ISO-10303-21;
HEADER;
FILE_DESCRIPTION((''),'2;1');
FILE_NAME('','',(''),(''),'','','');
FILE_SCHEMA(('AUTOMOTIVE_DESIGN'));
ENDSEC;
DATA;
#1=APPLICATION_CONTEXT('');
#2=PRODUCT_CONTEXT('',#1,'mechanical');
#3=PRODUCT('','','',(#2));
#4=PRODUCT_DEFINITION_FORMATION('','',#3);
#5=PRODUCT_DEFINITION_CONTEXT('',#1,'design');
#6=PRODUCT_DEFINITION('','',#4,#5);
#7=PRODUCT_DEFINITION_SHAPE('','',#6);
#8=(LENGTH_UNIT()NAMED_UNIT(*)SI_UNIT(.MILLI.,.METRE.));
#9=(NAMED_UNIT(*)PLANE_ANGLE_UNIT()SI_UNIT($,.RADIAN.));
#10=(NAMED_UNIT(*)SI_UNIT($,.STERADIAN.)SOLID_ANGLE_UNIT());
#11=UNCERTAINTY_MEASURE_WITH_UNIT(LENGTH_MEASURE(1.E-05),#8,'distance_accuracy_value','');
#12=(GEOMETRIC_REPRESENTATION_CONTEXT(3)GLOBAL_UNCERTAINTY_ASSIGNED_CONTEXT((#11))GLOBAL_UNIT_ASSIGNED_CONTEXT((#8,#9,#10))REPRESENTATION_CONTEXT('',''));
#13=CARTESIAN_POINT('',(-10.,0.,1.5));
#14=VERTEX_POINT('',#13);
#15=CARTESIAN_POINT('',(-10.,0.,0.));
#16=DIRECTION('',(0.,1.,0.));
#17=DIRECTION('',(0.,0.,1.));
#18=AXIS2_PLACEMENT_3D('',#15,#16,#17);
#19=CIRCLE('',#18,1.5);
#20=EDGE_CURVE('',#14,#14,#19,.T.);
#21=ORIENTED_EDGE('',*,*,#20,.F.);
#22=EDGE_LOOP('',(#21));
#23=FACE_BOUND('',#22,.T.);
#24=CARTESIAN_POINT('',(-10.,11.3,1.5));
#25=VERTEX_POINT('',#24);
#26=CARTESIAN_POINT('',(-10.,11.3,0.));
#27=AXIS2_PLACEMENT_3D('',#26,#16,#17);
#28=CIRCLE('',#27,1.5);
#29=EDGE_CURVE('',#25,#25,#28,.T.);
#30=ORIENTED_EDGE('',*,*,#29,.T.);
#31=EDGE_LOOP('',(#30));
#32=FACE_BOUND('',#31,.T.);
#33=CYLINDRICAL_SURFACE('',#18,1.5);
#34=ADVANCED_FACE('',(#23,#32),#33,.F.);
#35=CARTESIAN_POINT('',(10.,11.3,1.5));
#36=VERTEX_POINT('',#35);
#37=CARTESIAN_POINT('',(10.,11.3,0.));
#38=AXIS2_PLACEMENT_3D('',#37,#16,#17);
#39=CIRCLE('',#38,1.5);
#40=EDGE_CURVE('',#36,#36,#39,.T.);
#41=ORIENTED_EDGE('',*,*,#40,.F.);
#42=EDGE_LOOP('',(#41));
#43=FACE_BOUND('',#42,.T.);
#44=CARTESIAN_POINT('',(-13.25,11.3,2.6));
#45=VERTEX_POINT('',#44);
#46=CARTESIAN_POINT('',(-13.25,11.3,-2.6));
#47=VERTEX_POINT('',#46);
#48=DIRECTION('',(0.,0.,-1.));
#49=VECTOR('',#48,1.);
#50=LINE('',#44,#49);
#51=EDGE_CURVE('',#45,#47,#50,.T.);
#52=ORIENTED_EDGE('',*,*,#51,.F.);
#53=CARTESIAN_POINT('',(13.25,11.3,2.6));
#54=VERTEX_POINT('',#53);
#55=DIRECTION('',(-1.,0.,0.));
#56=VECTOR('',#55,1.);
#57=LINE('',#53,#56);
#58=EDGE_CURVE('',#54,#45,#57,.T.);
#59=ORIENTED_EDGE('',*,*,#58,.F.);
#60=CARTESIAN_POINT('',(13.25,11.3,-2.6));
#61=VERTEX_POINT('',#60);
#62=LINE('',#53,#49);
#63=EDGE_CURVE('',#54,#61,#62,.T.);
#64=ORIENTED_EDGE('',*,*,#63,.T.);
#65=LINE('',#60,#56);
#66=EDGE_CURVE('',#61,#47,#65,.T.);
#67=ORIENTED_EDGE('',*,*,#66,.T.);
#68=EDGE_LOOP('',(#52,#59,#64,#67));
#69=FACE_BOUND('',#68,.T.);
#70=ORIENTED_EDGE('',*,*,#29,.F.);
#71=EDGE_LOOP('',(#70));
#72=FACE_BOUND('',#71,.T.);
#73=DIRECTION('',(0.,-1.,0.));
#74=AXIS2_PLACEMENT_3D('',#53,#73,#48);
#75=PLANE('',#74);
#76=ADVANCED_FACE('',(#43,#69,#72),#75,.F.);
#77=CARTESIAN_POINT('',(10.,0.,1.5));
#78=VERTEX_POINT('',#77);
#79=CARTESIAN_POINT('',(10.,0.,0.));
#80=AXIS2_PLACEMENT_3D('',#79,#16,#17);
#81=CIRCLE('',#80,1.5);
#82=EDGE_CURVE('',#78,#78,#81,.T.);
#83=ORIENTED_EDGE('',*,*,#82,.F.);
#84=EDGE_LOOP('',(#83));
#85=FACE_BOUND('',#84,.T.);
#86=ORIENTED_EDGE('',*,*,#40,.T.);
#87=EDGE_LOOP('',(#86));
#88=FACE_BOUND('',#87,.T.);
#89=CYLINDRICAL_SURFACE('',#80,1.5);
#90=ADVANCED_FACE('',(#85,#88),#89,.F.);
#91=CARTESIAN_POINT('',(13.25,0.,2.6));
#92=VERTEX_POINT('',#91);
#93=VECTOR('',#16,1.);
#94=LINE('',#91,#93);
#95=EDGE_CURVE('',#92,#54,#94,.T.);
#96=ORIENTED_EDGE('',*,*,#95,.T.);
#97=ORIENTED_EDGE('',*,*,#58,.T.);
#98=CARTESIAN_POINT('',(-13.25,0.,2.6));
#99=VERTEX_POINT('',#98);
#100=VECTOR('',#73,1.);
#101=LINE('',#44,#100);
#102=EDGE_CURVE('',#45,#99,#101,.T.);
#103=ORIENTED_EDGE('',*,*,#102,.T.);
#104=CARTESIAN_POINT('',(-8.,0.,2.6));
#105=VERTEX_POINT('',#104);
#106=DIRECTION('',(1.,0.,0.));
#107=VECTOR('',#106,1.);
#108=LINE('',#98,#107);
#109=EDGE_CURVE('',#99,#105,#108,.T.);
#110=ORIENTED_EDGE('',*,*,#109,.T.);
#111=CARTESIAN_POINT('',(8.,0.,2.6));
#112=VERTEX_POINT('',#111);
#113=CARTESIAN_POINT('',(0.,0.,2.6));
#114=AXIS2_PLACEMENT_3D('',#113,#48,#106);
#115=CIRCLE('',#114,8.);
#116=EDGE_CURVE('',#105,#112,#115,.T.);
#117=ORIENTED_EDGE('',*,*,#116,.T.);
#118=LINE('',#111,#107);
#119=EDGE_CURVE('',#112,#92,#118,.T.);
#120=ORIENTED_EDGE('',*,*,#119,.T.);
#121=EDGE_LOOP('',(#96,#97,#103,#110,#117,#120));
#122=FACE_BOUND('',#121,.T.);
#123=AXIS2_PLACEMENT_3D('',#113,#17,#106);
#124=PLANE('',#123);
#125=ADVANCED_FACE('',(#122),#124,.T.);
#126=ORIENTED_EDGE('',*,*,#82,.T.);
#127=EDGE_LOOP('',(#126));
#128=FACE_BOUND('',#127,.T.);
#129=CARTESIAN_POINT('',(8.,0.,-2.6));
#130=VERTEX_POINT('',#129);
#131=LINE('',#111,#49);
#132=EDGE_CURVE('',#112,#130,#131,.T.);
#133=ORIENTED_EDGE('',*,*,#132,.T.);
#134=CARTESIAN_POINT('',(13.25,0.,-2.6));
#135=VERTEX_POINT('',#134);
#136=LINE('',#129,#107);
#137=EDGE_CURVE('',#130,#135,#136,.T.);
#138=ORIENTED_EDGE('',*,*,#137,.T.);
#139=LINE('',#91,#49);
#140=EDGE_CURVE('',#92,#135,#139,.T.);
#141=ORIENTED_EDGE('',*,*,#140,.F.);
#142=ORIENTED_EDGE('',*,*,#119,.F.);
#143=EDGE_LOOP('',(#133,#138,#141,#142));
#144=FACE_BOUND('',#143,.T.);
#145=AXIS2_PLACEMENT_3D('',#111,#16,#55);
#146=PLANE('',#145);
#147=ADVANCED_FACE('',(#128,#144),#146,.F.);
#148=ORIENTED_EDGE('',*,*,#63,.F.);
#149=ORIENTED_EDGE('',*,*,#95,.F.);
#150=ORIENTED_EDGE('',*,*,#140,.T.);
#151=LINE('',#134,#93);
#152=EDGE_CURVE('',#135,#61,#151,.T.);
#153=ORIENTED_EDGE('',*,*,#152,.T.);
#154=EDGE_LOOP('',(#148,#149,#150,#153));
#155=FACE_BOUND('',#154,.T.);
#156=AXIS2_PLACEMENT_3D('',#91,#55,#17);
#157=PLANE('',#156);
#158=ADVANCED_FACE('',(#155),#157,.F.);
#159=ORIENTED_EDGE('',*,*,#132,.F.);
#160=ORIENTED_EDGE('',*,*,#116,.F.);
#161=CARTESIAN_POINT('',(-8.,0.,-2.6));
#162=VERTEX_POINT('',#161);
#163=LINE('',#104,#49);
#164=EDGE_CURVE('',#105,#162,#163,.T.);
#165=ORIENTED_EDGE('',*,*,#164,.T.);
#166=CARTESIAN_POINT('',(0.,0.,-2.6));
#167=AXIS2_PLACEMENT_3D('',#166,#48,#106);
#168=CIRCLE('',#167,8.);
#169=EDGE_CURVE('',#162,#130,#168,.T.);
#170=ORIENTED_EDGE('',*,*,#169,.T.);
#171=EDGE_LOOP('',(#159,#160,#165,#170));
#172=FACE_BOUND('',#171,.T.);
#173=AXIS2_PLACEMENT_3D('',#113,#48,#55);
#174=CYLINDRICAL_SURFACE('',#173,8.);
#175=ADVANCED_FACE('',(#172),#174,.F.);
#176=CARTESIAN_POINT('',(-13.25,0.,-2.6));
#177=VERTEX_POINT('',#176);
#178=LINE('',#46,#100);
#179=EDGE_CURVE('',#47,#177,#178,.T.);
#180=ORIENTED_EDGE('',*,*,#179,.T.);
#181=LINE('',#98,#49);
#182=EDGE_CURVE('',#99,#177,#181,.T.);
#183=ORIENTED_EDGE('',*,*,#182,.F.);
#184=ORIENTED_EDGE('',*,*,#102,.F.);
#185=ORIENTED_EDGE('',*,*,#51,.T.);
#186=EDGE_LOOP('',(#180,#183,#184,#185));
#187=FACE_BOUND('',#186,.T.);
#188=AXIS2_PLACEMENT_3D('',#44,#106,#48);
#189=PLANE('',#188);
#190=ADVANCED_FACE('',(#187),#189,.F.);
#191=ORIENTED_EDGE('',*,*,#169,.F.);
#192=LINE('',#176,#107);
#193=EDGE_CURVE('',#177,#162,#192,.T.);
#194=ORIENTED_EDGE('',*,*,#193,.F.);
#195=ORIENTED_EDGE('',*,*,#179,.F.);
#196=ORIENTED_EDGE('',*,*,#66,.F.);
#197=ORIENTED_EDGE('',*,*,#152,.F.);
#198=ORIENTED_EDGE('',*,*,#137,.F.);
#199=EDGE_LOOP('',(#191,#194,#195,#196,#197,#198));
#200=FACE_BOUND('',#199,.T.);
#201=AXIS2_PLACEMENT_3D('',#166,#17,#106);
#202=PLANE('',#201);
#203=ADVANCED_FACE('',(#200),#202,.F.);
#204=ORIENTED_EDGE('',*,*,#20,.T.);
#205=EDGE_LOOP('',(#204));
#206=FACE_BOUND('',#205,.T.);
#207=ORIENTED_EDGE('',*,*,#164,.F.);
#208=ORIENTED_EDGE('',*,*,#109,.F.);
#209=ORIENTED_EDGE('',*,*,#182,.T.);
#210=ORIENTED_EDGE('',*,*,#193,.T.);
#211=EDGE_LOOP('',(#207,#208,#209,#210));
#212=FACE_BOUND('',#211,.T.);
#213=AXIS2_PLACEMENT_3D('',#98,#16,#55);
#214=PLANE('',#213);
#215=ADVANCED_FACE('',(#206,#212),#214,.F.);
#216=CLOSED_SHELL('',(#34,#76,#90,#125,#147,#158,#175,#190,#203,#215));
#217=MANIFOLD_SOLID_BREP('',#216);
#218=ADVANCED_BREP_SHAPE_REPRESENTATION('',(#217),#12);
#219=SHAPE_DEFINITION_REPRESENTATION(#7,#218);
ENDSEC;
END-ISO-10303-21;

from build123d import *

# Parameters (mm, degrees)
BOSS_EXTRUDE1_DEPTH = 2.6
SKETCH2_R           = 1.5
CUT_EXTRUDE1_DEPTH  = 18.607171834


with BuildPart() as part:
    # Sketch1 → Boss-Extrude1 (new, symmetric)
    with BuildSketch(Plane.XY):
        with BuildLine():
            Line((8, 0), (13.25, 0))
            Line((13.25, 0), (13.25, 11.3))
            Line((13.25, 11.3), (-13.25, 11.3))
            Line((-13.25, 11.3), (-13.25, 0))
            Line((-13.25, 0), (-8, 0))
            ThreePointArc((-8, 0), (0, 8), (8, 0))
        make_face()
    extrude(amount=BOSS_EXTRUDE1_DEPTH, both=True)

    # Sketch2 → Cut-Extrude1 (cut, through all)
    with BuildSketch(Plane(origin=(0, 11.3, 0), x_dir=(1, 0, 0), z_dir=(0, 1, 0))):
        with Locations(Location((-10, 0, 0), (0, 0, 270))):
            Circle(SKETCH2_R)
        with Locations(Location((10, 0, 0), (0, 0, 270))):
            Circle(SKETCH2_R)
    extrude(amount=-CUT_EXTRUDE1_DEPTH, mode=Mode.SUBTRACT)


solid = part.part
